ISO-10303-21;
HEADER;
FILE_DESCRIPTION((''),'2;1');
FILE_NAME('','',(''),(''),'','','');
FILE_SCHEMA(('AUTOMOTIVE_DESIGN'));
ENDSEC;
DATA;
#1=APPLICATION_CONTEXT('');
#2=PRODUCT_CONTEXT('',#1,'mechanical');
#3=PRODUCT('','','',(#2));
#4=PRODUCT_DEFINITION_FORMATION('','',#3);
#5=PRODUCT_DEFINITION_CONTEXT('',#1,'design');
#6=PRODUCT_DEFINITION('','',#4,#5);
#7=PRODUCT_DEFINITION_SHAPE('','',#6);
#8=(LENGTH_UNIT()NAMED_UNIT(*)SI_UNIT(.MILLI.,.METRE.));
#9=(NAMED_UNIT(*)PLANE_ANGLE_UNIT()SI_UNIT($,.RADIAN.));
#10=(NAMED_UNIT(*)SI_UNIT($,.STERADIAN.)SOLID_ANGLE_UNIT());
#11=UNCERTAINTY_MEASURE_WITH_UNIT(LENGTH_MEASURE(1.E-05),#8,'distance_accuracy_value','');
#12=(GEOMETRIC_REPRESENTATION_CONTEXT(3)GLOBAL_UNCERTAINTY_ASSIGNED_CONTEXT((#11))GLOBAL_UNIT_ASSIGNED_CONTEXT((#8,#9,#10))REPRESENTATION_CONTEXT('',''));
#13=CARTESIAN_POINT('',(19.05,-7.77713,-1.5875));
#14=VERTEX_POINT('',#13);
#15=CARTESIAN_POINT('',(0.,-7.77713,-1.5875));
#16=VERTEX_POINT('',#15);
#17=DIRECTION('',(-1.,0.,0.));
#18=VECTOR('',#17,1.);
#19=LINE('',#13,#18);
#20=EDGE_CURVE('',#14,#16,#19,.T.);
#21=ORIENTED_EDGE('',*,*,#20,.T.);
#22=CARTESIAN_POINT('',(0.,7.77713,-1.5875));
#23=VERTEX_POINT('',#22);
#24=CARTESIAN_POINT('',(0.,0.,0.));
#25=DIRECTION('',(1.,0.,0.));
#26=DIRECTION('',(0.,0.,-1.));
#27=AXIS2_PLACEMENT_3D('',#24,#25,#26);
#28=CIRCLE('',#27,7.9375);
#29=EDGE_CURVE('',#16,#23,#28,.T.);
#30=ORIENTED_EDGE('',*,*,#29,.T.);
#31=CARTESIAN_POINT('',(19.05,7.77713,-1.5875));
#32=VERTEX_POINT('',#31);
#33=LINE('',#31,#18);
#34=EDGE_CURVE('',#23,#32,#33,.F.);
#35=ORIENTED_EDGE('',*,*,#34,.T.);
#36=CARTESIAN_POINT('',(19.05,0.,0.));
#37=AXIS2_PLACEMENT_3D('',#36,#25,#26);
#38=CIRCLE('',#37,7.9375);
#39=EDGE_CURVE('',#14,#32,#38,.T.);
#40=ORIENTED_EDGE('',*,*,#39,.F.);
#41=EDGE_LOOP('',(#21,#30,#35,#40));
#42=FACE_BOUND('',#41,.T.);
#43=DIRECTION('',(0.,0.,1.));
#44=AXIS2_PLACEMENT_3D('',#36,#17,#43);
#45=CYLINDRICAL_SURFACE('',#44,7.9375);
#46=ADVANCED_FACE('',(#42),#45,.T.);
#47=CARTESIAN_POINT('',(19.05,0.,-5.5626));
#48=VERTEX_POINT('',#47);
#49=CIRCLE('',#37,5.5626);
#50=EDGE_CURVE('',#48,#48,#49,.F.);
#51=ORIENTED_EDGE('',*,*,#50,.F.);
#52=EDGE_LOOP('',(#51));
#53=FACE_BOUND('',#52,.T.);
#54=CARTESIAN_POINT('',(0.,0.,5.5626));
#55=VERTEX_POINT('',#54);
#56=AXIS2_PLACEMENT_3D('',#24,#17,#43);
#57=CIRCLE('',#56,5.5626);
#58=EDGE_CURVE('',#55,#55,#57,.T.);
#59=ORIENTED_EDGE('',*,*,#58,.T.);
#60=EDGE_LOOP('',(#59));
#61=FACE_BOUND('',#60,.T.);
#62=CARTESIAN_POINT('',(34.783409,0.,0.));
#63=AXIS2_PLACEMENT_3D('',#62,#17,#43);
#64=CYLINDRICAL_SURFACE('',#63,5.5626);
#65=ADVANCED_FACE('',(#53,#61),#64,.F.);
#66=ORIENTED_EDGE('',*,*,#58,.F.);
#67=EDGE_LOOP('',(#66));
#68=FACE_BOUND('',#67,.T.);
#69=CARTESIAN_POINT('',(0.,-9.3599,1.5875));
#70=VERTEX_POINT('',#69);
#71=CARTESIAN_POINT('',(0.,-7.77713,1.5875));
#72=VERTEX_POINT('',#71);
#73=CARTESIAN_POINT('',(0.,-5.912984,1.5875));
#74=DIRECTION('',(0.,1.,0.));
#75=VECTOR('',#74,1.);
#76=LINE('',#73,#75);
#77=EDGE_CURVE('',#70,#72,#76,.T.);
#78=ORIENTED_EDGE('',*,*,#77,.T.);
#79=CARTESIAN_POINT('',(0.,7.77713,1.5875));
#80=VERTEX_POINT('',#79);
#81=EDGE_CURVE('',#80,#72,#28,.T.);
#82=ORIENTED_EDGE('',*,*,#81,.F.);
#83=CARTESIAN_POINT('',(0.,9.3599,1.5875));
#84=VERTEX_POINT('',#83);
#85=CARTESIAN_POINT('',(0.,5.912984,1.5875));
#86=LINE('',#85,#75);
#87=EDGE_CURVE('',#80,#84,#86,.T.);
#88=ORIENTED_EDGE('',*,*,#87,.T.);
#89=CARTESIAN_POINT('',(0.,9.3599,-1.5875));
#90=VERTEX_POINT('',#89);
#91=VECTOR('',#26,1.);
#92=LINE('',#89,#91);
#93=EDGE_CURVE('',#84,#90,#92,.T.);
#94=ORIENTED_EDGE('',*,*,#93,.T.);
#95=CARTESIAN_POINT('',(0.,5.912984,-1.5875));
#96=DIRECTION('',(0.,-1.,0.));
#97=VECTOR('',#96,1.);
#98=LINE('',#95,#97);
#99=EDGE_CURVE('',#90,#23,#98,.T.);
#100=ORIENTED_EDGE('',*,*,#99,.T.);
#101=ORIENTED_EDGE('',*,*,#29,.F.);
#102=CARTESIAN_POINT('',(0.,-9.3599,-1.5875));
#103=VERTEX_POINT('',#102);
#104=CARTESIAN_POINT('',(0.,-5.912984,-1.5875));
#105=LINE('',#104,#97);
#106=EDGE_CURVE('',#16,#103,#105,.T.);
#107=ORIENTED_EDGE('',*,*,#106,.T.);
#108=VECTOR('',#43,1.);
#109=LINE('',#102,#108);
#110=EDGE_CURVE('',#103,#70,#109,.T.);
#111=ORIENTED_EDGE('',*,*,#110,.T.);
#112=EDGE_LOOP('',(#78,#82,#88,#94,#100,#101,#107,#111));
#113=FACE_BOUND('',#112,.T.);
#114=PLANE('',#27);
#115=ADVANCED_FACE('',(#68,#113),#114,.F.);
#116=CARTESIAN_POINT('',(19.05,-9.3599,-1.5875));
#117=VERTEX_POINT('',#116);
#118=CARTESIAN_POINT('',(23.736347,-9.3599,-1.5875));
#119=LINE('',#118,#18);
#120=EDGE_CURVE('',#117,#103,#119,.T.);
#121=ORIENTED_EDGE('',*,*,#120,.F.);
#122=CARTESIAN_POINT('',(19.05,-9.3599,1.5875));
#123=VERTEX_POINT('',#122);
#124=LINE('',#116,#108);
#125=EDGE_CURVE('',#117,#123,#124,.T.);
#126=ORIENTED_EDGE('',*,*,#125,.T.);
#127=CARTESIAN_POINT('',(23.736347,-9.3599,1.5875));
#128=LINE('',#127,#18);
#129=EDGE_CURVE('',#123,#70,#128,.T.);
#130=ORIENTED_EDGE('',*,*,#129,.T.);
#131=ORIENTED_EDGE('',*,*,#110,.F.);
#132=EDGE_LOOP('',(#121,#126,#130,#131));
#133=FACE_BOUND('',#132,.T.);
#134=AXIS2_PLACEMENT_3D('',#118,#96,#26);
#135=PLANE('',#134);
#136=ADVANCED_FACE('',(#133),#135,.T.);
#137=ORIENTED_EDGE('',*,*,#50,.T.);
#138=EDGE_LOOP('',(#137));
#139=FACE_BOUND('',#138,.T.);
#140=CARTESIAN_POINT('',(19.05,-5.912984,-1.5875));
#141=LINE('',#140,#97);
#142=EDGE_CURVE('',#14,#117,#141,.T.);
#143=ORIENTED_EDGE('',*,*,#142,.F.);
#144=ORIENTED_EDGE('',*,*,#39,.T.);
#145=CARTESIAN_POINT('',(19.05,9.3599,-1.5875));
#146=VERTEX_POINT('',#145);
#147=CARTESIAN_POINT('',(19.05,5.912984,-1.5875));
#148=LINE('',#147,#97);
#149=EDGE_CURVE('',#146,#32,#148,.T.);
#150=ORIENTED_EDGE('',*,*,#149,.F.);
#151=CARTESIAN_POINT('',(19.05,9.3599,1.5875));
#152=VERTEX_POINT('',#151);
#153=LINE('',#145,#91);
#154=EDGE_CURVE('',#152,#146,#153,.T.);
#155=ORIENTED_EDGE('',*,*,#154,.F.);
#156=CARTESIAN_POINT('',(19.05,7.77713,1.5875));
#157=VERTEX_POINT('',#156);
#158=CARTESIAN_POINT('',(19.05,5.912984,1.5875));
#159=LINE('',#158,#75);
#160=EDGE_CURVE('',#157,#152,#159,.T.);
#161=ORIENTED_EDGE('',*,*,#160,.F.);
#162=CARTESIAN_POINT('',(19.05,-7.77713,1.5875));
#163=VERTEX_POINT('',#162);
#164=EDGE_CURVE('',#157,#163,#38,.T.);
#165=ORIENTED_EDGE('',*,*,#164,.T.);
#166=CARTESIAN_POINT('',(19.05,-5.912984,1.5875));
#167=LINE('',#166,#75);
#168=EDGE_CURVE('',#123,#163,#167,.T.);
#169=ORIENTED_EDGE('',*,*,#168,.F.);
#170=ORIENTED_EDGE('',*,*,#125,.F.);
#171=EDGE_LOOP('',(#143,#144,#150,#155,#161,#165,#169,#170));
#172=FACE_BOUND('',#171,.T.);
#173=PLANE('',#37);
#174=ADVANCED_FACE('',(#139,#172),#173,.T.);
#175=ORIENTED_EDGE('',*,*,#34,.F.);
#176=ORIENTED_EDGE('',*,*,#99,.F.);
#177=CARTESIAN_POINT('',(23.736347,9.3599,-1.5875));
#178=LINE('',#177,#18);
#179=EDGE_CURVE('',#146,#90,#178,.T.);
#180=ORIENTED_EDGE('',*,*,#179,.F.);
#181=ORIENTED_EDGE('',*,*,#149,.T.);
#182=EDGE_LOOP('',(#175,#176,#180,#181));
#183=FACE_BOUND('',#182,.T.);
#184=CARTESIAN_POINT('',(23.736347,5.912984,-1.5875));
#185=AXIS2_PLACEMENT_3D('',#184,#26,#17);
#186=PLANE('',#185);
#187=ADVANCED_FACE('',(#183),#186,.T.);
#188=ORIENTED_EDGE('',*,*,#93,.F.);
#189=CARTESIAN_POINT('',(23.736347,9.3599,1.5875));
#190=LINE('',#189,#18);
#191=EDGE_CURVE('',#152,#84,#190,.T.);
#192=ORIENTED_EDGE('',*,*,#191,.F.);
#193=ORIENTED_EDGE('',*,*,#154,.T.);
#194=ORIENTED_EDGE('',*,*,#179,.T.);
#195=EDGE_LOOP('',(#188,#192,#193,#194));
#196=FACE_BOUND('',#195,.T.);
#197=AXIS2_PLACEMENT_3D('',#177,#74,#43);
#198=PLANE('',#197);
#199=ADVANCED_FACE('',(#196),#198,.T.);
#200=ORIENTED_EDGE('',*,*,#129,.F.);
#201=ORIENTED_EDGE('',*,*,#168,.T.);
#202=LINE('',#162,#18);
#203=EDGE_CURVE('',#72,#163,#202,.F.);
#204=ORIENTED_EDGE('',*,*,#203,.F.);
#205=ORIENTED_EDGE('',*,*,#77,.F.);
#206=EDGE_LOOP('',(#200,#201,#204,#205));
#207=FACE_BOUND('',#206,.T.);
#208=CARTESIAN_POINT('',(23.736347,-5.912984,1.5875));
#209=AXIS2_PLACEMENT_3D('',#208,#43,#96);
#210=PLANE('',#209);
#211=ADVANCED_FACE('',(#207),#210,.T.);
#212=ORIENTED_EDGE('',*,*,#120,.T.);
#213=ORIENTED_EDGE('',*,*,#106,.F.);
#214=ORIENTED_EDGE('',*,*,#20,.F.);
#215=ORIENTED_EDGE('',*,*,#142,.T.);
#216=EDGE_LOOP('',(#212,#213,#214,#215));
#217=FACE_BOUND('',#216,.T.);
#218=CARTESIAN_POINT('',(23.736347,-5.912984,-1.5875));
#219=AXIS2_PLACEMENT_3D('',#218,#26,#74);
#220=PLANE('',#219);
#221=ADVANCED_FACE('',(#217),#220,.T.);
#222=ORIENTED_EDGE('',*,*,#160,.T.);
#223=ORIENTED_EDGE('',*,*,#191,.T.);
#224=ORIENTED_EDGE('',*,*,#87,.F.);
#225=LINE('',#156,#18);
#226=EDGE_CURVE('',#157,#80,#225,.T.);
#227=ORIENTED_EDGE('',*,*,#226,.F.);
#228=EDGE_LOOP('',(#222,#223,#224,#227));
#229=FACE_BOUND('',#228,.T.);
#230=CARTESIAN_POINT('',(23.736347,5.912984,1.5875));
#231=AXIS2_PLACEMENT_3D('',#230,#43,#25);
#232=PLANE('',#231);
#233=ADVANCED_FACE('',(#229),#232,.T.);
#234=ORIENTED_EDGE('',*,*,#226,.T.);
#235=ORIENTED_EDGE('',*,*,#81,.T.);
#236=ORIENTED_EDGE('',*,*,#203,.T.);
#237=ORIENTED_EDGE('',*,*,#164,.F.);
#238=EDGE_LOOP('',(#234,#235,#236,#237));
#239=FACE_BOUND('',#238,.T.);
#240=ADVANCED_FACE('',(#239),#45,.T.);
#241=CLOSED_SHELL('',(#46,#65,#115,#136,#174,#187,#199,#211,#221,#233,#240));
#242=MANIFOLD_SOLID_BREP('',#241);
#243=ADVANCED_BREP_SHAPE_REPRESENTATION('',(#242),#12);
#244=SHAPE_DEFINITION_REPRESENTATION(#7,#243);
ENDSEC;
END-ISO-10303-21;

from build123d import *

# Parameters (mm, degrees)
SKETCH1_R           = 7.9375
BOSS_EXTRUDE1_DEPTH = 19.05
SKETCH2_W           = 3.175
SKETCH2_H           = 3.446915699
BOSS_EXTRUDE2_DEPTH = 19.05
SKETCH3_R           = 5.5626
CUT_EXTRUDE1_DEPTH  = 19.05


with BuildPart() as part:
    # Sketch1 → Boss-Extrude1 (new body)
    with BuildSketch(Plane(origin=(0, 0, 0), x_dir=(0, 0, -1), z_dir=(1, 0, 0))):
        Circle(SKETCH1_R)
    extrude(amount=BOSS_EXTRUDE1_DEPTH)

    # Sketch2 → Boss-Extrude2 (add)
    with BuildSketch(Plane.ZY):
        with Locations((0, 7.636442151)):
            Rectangle(SKETCH2_W, SKETCH2_H)
        with Locations((0, -7.636442151)):
            Rectangle(SKETCH2_W, SKETCH2_H)
    extrude(amount=-BOSS_EXTRUDE2_DEPTH)

    # Sketch3 → Cut-Extrude1 (cut)
    with BuildSketch(Plane.ZY):
        Circle(SKETCH3_R)
    extrude(amount=-CUT_EXTRUDE1_DEPTH, mode=Mode.SUBTRACT)


solid = part.part
